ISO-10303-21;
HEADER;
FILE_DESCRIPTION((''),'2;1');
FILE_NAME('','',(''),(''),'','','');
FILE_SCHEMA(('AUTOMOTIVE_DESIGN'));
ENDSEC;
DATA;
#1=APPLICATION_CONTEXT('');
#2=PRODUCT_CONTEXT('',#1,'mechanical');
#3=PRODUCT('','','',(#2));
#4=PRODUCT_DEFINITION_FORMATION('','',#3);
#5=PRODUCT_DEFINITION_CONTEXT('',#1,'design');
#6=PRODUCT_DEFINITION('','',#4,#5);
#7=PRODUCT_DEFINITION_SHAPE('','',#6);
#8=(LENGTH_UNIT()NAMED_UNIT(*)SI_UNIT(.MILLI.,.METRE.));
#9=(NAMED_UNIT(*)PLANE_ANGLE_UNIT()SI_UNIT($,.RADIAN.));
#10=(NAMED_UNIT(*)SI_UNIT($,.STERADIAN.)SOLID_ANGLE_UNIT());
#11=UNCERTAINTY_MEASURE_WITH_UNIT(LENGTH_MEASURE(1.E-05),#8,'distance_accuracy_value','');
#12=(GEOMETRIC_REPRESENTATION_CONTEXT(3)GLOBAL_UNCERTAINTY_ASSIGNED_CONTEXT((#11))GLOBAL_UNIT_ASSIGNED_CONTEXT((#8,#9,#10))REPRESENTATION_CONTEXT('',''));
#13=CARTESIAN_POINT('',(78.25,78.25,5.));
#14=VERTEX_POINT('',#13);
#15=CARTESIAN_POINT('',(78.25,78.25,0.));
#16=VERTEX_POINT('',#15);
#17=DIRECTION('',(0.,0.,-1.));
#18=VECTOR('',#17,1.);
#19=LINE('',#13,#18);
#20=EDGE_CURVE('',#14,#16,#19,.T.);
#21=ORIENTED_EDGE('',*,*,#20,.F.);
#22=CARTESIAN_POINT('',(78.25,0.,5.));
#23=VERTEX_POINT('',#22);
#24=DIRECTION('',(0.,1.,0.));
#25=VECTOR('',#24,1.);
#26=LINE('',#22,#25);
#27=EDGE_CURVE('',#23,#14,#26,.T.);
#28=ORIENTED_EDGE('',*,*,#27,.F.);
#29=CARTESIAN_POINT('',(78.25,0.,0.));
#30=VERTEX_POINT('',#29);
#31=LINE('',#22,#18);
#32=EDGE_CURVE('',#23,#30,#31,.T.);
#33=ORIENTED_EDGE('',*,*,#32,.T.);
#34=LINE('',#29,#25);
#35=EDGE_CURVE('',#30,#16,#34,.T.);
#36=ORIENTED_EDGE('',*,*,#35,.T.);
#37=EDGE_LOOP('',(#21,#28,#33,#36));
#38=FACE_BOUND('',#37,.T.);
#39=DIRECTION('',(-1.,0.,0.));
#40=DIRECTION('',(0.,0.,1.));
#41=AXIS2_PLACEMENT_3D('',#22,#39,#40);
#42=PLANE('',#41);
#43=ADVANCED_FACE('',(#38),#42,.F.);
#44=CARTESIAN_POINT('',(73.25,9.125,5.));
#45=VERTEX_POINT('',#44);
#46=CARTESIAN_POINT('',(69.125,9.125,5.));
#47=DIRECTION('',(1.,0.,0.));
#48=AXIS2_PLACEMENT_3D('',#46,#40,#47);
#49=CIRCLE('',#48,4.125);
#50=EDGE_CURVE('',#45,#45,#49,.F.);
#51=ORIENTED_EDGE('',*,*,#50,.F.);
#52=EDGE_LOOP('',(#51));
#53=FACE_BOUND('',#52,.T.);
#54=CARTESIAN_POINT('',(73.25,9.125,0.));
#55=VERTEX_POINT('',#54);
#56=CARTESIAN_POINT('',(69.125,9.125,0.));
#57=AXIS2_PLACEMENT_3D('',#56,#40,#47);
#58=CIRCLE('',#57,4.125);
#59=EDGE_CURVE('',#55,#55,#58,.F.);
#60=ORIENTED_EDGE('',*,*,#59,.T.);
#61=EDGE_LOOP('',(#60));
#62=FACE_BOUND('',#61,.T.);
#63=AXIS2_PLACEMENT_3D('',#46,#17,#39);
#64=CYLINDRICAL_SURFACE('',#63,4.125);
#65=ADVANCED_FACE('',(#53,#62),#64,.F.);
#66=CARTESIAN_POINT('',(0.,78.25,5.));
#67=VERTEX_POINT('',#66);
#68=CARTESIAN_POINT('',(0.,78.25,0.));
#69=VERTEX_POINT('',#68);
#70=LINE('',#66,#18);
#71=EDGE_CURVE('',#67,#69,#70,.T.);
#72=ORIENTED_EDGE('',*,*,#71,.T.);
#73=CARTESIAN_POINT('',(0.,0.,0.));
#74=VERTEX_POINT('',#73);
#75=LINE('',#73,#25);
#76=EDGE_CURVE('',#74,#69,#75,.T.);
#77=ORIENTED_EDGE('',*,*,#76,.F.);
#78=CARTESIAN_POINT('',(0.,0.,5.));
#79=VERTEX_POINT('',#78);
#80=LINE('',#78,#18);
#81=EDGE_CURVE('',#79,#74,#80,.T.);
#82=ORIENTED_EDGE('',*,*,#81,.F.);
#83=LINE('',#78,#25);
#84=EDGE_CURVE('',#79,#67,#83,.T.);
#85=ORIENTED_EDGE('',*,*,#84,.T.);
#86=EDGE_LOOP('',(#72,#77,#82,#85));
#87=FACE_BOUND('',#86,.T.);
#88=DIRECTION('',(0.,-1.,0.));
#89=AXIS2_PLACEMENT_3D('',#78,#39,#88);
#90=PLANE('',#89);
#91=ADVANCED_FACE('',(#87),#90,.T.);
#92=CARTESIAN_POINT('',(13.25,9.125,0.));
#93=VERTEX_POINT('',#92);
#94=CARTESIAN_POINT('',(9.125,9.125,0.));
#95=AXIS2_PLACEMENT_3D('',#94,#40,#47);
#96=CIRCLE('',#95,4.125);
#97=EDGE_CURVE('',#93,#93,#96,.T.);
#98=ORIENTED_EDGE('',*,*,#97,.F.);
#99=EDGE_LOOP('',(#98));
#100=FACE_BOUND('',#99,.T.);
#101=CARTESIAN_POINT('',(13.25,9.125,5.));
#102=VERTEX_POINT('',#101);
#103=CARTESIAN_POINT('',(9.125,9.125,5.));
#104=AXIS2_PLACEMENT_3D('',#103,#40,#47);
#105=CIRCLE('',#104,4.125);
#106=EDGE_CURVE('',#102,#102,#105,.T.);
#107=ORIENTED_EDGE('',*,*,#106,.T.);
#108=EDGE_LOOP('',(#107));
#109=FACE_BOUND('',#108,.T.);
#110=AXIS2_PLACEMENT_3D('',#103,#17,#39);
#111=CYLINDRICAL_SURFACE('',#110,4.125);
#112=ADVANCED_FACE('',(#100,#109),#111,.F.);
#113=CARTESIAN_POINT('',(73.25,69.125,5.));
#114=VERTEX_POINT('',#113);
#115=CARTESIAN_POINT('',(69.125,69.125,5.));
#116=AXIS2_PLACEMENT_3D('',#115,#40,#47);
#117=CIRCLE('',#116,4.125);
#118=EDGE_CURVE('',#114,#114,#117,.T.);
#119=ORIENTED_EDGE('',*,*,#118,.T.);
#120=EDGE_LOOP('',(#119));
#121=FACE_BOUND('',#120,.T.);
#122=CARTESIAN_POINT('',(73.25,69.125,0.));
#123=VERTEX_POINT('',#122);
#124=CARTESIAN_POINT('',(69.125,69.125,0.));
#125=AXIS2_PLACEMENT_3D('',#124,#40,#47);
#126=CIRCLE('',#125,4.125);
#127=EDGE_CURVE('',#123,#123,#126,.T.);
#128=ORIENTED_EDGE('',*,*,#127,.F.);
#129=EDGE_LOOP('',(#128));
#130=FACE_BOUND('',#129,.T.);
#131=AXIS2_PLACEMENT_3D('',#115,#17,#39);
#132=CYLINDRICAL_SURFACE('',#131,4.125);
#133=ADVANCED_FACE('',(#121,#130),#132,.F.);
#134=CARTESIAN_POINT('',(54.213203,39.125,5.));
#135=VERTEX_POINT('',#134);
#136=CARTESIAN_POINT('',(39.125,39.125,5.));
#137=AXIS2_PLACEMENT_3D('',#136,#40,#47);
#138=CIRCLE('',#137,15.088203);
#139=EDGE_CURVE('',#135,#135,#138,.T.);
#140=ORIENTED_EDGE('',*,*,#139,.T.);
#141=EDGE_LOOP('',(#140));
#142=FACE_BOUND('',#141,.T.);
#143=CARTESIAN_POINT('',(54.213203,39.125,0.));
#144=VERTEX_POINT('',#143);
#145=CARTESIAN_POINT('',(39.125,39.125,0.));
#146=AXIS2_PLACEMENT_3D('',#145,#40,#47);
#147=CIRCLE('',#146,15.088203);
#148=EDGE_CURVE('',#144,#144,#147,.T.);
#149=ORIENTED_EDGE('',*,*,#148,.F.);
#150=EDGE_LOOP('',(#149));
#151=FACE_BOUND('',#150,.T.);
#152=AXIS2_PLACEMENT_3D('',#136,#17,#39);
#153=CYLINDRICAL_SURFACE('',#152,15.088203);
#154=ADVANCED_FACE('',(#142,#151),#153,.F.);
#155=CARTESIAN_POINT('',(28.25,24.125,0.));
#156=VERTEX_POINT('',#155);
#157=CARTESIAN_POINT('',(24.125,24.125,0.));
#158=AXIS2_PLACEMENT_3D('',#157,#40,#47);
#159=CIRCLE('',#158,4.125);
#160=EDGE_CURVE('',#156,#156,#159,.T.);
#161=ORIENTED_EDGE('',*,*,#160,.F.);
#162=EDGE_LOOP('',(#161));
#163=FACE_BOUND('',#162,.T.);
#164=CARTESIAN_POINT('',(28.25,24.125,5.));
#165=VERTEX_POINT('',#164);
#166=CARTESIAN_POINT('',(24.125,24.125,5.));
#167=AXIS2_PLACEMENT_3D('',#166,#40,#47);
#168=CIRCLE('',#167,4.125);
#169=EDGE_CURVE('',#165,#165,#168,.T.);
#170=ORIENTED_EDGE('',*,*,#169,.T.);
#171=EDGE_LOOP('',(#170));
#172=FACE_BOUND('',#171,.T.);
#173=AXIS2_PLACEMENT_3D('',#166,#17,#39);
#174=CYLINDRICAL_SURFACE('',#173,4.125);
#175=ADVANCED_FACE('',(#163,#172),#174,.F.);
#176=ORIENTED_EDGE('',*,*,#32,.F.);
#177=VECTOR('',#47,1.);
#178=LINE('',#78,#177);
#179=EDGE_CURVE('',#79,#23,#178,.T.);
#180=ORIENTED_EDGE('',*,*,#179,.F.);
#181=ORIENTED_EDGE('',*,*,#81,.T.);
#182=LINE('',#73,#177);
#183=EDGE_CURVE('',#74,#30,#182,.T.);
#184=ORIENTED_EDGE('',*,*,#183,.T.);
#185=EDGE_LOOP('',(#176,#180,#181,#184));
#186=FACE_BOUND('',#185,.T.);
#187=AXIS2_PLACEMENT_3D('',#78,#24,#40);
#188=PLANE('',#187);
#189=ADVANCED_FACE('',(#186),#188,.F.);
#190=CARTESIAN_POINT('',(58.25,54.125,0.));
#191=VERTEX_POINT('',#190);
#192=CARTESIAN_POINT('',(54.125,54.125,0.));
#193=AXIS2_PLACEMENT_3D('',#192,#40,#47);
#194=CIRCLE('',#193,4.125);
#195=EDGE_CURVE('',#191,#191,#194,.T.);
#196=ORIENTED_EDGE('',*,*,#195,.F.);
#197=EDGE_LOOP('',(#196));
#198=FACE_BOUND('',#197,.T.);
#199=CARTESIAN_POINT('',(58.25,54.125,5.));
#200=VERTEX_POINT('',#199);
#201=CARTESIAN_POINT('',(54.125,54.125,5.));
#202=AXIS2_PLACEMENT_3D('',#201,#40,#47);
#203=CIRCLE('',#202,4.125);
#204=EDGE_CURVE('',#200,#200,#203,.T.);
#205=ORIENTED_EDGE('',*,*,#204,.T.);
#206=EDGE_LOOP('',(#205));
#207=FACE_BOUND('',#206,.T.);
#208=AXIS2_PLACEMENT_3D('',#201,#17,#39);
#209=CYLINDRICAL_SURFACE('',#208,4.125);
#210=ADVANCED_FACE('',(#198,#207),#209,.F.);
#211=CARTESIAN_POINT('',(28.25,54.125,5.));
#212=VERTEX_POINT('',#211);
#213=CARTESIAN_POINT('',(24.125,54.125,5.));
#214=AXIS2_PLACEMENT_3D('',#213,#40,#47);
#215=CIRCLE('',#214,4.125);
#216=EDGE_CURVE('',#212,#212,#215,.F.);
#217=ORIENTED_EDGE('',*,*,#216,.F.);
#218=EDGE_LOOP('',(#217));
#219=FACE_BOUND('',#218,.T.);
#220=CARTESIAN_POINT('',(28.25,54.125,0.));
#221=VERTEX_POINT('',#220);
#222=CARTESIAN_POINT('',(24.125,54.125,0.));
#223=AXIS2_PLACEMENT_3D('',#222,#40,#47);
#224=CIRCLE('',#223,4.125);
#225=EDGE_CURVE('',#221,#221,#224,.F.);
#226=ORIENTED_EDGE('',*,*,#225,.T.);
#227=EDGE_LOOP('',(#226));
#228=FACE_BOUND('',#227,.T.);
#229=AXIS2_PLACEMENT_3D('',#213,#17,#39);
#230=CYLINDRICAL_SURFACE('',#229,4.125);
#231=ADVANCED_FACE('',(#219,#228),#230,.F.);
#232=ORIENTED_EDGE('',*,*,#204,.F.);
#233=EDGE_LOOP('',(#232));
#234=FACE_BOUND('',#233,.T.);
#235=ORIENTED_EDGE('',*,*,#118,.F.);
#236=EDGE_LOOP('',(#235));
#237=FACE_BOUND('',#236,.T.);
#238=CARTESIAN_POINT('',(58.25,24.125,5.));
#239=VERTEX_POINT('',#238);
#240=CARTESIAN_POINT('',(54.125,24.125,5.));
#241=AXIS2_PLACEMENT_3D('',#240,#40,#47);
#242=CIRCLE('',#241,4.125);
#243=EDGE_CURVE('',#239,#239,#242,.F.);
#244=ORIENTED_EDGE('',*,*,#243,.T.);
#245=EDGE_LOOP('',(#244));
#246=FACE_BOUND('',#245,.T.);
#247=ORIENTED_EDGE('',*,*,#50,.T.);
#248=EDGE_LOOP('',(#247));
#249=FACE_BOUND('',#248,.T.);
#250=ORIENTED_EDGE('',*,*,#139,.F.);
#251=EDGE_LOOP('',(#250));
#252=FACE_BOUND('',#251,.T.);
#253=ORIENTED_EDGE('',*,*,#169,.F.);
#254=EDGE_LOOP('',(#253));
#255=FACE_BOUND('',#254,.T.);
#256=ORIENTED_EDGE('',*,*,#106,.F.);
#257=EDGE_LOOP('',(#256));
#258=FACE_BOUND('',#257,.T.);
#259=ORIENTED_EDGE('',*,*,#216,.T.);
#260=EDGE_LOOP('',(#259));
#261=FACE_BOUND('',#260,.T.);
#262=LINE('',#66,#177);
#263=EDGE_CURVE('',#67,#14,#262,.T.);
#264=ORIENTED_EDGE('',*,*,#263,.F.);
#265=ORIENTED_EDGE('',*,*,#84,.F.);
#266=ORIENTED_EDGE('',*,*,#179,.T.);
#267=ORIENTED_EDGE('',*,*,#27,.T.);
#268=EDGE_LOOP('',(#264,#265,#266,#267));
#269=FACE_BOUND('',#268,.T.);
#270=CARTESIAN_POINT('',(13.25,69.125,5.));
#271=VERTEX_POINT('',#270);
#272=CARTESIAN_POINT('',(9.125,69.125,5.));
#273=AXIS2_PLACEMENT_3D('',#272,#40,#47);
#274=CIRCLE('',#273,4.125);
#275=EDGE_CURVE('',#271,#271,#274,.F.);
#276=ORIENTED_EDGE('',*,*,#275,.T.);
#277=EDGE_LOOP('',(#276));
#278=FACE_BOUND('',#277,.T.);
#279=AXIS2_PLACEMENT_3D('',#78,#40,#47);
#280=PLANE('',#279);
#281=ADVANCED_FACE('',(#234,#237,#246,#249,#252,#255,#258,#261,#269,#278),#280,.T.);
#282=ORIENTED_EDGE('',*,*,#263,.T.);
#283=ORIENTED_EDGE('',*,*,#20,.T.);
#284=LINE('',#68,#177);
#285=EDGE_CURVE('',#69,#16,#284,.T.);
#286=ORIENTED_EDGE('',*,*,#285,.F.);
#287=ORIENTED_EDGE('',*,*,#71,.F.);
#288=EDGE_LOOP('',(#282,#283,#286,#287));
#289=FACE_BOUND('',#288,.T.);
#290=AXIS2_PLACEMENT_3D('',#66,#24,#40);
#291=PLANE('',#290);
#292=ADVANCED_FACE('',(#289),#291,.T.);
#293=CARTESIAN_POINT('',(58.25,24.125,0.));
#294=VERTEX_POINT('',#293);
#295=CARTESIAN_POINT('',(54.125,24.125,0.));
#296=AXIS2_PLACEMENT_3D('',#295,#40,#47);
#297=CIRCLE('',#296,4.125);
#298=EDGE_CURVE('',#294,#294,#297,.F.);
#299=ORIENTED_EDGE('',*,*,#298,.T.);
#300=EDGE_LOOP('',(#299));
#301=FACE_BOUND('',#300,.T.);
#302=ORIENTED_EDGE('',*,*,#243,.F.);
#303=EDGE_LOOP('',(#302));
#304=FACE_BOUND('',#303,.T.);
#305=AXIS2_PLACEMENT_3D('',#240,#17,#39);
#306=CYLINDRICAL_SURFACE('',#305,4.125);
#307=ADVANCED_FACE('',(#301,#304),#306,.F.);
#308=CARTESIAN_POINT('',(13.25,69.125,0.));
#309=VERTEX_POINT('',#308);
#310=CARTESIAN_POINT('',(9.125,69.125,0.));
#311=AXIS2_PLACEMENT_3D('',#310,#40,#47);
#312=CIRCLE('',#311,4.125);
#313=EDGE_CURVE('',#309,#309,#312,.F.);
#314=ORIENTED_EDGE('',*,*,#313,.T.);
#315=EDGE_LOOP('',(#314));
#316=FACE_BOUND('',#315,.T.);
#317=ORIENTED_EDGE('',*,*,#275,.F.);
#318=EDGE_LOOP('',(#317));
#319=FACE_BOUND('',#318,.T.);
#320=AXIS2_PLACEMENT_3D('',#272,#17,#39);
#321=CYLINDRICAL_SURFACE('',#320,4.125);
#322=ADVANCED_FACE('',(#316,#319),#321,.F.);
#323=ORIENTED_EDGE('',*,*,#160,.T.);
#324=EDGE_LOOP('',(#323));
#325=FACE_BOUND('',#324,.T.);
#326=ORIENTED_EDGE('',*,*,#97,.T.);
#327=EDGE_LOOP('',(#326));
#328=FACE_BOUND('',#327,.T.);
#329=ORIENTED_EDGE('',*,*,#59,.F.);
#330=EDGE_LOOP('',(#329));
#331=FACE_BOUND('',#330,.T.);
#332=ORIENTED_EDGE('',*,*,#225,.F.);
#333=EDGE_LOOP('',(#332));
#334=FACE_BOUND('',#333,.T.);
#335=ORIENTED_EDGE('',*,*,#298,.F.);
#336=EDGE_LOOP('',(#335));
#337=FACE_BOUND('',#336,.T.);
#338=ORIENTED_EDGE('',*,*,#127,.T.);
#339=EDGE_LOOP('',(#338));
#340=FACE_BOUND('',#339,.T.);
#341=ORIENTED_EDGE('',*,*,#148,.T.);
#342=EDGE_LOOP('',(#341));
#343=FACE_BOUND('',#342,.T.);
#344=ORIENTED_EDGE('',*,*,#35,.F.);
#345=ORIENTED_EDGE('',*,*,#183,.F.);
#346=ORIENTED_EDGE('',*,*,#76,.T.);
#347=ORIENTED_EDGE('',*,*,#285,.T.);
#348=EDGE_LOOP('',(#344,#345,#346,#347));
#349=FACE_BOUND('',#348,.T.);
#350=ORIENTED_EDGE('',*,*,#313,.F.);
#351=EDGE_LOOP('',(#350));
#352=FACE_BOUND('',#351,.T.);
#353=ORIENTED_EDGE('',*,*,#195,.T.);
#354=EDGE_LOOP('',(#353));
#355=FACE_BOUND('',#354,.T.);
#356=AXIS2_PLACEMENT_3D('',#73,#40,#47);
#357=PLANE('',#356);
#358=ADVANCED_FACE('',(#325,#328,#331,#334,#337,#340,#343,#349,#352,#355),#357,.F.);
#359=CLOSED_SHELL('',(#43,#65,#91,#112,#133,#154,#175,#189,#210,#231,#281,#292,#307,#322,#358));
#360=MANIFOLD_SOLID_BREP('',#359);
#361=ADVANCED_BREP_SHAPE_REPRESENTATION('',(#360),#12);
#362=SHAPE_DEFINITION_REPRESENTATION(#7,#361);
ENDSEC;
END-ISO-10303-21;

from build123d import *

# Parameters (mm, degrees)
SKETCH1_W           = 78.25
SKETCH1_H           = 78.25
SKETCH1_R           = 4.125
SKETCH1_R_2         = 15.088203436
BOSS_EXTRUDE1_DEPTH = 5


with BuildPart() as part:
    # Sketch1 → Boss-Extrude1 (new body)
    with BuildSketch(Plane.XY):
        with Locations((39.125, 39.125)):
            Rectangle(SKETCH1_W, SKETCH1_H)
        with Locations((9.125, 9.125)):
            Circle(SKETCH1_R, mode=Mode.SUBTRACT)
        with Locations((69.125, 9.125)):
            Circle(SKETCH1_R, mode=Mode.SUBTRACT)
        with Locations((69.125, 69.125)):
            Circle(SKETCH1_R, mode=Mode.SUBTRACT)
        with Locations((39.125, 39.125)):
            Circle(SKETCH1_R_2, mode=Mode.SUBTRACT)
        with Locations((9.125, 69.125)):
            Circle(SKETCH1_R, mode=Mode.SUBTRACT)
        with Locations((24.125, 24.125)):
            Circle(SKETCH1_R, mode=Mode.SUBTRACT)
        with Locations((54.125, 24.125)):
            Circle(SKETCH1_R, mode=Mode.SUBTRACT)
        with Locations((24.125, 54.125)):
            Circle(SKETCH1_R, mode=Mode.SUBTRACT)
        with Locations((54.125, 54.125)):
            Circle(SKETCH1_R, mode=Mode.SUBTRACT)
    extrude(amount=BOSS_EXTRUDE1_DEPTH)


solid = part.part
